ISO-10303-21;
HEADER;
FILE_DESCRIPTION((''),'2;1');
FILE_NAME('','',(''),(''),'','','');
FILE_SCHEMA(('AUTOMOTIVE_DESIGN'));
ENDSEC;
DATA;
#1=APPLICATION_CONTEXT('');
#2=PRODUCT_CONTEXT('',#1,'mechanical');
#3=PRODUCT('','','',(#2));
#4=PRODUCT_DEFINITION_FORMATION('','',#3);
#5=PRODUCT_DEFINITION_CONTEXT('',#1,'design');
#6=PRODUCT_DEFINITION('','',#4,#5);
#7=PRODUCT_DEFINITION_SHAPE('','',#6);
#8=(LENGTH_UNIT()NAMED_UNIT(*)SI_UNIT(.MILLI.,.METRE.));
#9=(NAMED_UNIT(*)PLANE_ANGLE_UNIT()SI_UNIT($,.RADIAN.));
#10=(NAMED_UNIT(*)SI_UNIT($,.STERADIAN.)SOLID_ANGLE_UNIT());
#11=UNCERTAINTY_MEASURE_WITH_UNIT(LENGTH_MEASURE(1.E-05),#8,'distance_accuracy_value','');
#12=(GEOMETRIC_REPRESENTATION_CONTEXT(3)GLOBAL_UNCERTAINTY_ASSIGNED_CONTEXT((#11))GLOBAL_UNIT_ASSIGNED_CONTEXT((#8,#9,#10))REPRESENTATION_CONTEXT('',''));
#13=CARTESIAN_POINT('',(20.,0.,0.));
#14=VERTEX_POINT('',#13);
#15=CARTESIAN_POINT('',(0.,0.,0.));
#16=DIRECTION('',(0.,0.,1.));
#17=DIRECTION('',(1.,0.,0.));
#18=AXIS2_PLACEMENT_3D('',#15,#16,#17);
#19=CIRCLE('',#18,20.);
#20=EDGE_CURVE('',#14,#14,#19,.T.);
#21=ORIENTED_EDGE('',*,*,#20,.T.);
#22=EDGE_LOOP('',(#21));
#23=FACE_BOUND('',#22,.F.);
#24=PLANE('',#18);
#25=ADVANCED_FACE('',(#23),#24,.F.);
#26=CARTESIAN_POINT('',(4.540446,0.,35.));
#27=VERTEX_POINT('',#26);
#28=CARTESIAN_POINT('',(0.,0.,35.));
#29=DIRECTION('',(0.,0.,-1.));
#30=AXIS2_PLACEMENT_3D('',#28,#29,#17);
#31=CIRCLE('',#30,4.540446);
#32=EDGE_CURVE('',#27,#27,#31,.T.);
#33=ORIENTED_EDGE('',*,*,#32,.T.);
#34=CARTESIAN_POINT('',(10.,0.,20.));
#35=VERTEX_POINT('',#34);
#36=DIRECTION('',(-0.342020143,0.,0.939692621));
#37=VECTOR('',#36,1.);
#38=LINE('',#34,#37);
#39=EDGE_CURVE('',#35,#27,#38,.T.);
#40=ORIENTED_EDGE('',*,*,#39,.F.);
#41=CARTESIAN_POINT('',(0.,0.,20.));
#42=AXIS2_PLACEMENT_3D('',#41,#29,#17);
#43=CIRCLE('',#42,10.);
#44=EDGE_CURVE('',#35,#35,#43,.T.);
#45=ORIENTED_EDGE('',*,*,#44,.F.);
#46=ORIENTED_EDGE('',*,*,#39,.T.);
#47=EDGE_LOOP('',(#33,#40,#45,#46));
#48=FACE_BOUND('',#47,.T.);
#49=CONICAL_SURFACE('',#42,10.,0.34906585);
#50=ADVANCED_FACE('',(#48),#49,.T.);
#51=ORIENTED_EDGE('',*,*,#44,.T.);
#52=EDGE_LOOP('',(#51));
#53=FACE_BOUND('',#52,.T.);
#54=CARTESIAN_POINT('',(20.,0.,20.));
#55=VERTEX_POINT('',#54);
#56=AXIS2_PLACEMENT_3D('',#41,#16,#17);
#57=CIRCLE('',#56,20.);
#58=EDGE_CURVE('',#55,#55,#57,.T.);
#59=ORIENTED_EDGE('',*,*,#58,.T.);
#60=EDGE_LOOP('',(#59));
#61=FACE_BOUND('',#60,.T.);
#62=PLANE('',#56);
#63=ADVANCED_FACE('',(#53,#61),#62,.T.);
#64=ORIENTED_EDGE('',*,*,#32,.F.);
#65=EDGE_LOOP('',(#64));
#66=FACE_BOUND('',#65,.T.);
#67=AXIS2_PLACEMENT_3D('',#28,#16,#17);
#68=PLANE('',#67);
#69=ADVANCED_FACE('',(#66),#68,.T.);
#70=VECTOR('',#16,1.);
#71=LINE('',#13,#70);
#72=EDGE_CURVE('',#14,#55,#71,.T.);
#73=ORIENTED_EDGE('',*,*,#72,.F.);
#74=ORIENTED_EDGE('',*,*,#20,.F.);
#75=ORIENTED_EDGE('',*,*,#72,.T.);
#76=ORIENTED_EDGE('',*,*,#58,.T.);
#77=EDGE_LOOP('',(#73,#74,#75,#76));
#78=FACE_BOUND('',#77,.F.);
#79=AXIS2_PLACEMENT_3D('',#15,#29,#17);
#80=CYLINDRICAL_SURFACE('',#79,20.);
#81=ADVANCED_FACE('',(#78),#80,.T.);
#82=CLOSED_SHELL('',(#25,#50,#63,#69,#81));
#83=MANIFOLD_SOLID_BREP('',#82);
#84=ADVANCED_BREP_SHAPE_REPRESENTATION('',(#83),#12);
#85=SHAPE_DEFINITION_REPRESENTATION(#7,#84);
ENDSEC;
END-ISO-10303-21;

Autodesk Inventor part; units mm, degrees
ref_plane "YZ Plane" through (0, 0, 0) normal (1, 0, 0) x (0, 1, 0)
ref_plane "XZ Plane" through (0, 0, 0) normal (0, 1, 0) x (-1, 0, 0)
ref_plane "XY Plane" through (0, 0, 0) normal (0, 0, 1) x (1, 0, 0)
sketch "Sketch1" plane through (0, 0, 0) normal (0, 0, 1) x (1, 0, 0)
  circle A0 centre (0, 0) radius 20
  dimension "d0" = 40
extrude "Extrusion1" add sketch "Sketch1" along normal blind 20
sketch "Sketch2" plane through (0, 0, 20) normal (0, 0, 1) x (1, 0, 0)
  circle A0 centre (0, 0) radius 10
  dimension "d3" = 20
extrude "Extrusion2" add sketch "Sketch2" along normal blind 15 draft -20
properties part number "base_product_1"
